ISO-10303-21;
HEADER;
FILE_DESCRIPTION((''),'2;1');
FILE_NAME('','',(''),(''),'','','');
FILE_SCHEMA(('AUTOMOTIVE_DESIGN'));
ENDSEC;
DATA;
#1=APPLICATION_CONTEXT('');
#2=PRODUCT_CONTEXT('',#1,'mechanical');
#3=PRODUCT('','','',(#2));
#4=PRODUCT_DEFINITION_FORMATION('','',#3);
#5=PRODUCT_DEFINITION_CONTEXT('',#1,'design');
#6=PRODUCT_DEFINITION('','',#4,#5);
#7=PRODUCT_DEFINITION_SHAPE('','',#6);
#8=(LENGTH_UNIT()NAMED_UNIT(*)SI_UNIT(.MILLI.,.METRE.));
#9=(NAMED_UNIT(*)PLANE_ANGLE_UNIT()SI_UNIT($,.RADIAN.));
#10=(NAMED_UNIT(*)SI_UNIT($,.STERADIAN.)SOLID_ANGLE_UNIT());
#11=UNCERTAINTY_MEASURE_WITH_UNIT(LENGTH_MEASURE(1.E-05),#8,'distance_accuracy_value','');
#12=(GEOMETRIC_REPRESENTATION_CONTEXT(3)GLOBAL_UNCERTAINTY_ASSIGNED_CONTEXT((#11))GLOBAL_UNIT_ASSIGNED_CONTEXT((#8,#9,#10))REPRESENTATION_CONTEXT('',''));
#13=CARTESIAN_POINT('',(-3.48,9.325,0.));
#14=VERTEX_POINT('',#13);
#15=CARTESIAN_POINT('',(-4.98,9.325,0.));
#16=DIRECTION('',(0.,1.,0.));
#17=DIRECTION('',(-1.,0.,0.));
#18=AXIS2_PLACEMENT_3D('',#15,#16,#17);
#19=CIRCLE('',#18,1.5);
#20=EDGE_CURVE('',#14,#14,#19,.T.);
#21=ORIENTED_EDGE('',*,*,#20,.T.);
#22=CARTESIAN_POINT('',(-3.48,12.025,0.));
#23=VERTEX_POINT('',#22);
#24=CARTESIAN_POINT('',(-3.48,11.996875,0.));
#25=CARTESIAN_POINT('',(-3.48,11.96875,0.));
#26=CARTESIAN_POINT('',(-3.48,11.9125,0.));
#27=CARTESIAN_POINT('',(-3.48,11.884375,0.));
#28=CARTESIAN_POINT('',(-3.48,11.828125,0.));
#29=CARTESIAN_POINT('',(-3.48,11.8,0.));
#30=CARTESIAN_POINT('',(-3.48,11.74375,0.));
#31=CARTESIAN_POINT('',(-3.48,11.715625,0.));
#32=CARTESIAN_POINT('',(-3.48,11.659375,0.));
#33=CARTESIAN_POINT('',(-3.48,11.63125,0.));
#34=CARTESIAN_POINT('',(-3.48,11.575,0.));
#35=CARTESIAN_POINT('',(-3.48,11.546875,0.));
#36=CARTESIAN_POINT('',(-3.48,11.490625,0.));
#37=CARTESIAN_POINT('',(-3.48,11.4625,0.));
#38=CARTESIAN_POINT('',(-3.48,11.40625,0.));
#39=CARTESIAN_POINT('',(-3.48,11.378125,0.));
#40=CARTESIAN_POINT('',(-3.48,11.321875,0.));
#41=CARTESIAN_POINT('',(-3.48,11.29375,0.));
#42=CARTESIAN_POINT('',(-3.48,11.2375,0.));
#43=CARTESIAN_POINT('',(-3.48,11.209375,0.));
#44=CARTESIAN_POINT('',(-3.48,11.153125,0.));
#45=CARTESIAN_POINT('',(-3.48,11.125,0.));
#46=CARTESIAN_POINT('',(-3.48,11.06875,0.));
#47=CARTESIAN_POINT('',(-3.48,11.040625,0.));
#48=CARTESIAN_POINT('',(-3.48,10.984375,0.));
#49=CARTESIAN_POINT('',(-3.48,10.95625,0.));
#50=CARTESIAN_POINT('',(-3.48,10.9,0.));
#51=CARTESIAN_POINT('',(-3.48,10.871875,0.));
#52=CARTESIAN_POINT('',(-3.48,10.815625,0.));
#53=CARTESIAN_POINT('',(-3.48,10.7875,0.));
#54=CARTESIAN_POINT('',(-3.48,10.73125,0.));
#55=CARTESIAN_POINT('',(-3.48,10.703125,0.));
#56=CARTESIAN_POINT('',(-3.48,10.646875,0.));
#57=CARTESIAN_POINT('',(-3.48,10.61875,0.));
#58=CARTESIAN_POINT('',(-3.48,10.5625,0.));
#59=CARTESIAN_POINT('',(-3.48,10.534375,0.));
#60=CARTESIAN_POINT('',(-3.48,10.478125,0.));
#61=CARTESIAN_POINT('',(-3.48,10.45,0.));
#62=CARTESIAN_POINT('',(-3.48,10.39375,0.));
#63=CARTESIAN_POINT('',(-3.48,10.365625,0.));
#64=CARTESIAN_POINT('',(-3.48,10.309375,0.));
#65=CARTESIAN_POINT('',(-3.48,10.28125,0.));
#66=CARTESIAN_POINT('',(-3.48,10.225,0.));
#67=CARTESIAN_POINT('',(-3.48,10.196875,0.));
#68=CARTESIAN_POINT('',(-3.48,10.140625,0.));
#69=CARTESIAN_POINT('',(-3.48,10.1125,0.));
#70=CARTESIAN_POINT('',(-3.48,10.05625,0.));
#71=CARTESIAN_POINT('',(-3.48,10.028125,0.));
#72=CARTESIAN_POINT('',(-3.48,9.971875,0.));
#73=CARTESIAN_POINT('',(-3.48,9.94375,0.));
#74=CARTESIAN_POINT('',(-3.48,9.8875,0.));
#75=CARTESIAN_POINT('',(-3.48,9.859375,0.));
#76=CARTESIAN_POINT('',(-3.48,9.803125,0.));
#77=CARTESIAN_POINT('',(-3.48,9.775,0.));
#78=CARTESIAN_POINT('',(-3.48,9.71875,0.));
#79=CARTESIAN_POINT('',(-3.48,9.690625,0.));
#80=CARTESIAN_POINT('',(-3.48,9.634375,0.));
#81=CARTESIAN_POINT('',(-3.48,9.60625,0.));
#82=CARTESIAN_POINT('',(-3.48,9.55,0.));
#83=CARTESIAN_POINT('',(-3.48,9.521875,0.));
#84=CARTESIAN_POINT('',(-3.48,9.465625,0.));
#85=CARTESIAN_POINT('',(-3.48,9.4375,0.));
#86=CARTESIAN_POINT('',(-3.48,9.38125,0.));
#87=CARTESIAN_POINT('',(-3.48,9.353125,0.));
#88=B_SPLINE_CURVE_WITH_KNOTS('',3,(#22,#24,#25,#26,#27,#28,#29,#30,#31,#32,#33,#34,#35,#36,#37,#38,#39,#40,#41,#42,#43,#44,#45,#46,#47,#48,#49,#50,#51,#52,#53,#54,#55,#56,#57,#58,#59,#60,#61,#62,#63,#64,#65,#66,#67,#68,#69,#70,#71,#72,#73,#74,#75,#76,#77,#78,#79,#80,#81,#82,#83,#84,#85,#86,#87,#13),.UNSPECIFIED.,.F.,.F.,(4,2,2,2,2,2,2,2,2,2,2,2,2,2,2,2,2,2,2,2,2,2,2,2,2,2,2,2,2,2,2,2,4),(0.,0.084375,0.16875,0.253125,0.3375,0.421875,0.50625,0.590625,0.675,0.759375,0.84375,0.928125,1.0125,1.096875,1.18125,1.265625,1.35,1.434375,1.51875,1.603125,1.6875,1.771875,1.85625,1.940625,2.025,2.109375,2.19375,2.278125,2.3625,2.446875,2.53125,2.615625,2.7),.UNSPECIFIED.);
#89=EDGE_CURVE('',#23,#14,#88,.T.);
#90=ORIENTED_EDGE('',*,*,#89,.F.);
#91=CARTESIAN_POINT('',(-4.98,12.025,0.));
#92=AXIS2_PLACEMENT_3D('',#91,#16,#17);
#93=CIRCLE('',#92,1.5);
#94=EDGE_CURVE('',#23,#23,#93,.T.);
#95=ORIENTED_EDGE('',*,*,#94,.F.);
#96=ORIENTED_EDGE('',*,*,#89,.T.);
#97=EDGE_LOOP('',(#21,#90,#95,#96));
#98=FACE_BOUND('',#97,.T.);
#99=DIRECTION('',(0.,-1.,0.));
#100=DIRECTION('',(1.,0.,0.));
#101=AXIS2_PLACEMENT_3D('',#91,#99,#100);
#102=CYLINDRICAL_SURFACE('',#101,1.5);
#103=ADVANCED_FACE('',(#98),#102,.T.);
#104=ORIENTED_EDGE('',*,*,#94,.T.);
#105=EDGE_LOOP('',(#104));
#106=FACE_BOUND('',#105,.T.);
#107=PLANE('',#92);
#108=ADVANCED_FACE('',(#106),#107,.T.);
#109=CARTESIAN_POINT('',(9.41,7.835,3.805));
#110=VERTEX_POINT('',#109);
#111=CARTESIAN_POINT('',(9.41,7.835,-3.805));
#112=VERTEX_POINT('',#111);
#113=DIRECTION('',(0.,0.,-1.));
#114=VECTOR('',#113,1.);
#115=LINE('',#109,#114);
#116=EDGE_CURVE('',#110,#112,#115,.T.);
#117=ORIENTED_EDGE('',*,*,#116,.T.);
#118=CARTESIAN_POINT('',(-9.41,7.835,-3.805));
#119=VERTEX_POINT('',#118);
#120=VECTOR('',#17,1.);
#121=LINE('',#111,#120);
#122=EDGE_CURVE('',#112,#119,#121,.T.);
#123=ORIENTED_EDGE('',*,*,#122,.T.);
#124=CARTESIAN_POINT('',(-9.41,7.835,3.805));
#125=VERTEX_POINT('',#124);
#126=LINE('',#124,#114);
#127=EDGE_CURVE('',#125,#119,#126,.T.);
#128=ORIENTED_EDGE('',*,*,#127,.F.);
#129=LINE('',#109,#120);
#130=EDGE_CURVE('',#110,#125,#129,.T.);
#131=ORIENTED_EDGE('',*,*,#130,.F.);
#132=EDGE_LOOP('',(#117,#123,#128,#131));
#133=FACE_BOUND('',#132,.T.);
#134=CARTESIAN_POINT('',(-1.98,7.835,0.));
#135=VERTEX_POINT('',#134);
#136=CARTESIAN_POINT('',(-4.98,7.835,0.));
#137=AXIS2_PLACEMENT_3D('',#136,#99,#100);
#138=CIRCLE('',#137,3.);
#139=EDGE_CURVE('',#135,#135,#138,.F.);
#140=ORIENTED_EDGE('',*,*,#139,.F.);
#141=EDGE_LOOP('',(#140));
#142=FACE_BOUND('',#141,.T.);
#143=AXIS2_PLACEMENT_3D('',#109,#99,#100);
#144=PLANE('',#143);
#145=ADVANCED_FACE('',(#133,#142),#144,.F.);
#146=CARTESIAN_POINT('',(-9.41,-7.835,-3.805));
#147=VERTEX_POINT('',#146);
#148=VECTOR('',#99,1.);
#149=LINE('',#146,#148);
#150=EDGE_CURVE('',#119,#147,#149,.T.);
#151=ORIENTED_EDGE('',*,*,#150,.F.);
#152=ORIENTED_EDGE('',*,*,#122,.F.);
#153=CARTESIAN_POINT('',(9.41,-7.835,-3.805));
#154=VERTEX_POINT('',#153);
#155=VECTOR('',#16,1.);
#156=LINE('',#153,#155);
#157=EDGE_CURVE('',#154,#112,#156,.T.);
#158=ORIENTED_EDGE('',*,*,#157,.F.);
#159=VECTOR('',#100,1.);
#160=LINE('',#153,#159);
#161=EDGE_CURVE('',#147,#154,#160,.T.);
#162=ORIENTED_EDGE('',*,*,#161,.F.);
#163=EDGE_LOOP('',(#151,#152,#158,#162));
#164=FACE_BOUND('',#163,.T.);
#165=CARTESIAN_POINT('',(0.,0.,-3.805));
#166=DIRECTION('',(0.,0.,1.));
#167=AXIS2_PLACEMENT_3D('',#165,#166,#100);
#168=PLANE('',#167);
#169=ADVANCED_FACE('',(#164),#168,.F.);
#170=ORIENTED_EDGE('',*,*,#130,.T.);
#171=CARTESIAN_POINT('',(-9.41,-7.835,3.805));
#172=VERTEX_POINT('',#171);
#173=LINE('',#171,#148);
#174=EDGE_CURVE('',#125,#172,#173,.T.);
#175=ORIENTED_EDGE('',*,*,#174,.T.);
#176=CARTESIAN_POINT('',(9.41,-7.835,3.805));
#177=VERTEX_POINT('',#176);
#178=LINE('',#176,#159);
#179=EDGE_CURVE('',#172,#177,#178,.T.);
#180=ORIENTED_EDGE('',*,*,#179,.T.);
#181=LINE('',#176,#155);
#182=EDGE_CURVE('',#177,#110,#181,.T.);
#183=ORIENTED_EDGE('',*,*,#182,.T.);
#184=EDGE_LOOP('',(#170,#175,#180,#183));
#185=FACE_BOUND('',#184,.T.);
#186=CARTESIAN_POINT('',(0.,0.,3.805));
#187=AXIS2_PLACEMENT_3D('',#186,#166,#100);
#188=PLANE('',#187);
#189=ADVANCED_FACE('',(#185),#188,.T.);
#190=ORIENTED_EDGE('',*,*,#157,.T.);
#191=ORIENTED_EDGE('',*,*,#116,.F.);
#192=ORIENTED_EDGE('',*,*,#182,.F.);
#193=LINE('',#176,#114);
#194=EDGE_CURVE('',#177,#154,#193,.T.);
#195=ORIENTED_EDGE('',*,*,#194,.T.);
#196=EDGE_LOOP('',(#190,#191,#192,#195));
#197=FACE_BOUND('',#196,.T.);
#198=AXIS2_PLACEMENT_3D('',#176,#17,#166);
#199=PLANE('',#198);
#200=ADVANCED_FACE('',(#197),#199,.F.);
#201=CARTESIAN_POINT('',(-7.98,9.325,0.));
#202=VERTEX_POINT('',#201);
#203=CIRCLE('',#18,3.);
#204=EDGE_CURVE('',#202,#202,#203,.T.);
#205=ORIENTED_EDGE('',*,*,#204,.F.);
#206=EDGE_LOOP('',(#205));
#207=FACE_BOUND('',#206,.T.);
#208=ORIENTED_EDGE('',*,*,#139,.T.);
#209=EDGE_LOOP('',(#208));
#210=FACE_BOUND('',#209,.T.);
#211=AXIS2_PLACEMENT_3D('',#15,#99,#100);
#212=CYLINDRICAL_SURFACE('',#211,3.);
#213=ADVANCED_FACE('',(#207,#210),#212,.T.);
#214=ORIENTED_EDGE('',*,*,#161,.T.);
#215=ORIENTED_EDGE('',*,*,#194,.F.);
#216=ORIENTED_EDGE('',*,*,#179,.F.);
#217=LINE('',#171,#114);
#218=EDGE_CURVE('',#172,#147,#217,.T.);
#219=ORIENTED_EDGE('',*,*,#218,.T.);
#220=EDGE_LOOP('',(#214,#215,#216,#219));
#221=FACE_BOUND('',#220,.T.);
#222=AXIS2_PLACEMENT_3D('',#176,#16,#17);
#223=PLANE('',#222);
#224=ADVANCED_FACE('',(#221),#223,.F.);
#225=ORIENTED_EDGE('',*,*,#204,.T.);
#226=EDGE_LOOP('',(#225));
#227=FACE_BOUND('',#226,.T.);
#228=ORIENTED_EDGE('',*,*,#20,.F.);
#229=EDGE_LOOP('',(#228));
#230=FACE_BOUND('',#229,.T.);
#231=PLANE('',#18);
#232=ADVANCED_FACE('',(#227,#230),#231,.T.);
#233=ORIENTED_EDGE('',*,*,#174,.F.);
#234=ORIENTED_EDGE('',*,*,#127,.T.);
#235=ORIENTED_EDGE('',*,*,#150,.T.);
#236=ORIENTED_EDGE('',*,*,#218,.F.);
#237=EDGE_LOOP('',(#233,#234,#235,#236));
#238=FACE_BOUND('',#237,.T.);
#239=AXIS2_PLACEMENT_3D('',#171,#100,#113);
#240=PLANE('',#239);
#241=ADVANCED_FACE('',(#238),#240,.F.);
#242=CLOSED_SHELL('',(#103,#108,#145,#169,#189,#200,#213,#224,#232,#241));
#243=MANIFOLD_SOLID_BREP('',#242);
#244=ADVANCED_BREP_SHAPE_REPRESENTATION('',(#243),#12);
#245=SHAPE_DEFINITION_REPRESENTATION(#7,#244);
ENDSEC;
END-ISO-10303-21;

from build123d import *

# Parameters (mm, degrees)
SKETCH2_W           = 18.82
SKETCH2_H           = 15.67
BOSS_EXTRUDE1_DEPTH = 3.805
SKETCH3_R           = 3
BOSS_EXTRUDE2_DEPTH = 1.49
SKETCH4_R           = 1.5
BOSS_EXTRUDE3_DEPTH = 2.7


with BuildPart() as part:
    # Sketch2 → Boss-Extrude1 (new, symmetric)
    with BuildSketch(Plane.XY):
        Rectangle(SKETCH2_W, SKETCH2_H)
    extrude(amount=BOSS_EXTRUDE1_DEPTH, both=True)

    # Sketch3 → Boss-Extrude2 (add)
    with BuildSketch(Plane(origin=(0, 7.835, 0), x_dir=(1, 0, 0), z_dir=(0, 1, 0))):
        with Locations((-4.98, 0)):
            Circle(SKETCH3_R)
    extrude(amount=BOSS_EXTRUDE2_DEPTH)

    # Sketch4 → Boss-Extrude3 (add)
    with BuildSketch(Plane(origin=(0, 9.325, 0), x_dir=(1, 0, 0), z_dir=(0, 1, 0))):
        with Locations((-4.98, 0)):
            Circle(SKETCH4_R)
    extrude(amount=BOSS_EXTRUDE3_DEPTH)


solid = part.part
